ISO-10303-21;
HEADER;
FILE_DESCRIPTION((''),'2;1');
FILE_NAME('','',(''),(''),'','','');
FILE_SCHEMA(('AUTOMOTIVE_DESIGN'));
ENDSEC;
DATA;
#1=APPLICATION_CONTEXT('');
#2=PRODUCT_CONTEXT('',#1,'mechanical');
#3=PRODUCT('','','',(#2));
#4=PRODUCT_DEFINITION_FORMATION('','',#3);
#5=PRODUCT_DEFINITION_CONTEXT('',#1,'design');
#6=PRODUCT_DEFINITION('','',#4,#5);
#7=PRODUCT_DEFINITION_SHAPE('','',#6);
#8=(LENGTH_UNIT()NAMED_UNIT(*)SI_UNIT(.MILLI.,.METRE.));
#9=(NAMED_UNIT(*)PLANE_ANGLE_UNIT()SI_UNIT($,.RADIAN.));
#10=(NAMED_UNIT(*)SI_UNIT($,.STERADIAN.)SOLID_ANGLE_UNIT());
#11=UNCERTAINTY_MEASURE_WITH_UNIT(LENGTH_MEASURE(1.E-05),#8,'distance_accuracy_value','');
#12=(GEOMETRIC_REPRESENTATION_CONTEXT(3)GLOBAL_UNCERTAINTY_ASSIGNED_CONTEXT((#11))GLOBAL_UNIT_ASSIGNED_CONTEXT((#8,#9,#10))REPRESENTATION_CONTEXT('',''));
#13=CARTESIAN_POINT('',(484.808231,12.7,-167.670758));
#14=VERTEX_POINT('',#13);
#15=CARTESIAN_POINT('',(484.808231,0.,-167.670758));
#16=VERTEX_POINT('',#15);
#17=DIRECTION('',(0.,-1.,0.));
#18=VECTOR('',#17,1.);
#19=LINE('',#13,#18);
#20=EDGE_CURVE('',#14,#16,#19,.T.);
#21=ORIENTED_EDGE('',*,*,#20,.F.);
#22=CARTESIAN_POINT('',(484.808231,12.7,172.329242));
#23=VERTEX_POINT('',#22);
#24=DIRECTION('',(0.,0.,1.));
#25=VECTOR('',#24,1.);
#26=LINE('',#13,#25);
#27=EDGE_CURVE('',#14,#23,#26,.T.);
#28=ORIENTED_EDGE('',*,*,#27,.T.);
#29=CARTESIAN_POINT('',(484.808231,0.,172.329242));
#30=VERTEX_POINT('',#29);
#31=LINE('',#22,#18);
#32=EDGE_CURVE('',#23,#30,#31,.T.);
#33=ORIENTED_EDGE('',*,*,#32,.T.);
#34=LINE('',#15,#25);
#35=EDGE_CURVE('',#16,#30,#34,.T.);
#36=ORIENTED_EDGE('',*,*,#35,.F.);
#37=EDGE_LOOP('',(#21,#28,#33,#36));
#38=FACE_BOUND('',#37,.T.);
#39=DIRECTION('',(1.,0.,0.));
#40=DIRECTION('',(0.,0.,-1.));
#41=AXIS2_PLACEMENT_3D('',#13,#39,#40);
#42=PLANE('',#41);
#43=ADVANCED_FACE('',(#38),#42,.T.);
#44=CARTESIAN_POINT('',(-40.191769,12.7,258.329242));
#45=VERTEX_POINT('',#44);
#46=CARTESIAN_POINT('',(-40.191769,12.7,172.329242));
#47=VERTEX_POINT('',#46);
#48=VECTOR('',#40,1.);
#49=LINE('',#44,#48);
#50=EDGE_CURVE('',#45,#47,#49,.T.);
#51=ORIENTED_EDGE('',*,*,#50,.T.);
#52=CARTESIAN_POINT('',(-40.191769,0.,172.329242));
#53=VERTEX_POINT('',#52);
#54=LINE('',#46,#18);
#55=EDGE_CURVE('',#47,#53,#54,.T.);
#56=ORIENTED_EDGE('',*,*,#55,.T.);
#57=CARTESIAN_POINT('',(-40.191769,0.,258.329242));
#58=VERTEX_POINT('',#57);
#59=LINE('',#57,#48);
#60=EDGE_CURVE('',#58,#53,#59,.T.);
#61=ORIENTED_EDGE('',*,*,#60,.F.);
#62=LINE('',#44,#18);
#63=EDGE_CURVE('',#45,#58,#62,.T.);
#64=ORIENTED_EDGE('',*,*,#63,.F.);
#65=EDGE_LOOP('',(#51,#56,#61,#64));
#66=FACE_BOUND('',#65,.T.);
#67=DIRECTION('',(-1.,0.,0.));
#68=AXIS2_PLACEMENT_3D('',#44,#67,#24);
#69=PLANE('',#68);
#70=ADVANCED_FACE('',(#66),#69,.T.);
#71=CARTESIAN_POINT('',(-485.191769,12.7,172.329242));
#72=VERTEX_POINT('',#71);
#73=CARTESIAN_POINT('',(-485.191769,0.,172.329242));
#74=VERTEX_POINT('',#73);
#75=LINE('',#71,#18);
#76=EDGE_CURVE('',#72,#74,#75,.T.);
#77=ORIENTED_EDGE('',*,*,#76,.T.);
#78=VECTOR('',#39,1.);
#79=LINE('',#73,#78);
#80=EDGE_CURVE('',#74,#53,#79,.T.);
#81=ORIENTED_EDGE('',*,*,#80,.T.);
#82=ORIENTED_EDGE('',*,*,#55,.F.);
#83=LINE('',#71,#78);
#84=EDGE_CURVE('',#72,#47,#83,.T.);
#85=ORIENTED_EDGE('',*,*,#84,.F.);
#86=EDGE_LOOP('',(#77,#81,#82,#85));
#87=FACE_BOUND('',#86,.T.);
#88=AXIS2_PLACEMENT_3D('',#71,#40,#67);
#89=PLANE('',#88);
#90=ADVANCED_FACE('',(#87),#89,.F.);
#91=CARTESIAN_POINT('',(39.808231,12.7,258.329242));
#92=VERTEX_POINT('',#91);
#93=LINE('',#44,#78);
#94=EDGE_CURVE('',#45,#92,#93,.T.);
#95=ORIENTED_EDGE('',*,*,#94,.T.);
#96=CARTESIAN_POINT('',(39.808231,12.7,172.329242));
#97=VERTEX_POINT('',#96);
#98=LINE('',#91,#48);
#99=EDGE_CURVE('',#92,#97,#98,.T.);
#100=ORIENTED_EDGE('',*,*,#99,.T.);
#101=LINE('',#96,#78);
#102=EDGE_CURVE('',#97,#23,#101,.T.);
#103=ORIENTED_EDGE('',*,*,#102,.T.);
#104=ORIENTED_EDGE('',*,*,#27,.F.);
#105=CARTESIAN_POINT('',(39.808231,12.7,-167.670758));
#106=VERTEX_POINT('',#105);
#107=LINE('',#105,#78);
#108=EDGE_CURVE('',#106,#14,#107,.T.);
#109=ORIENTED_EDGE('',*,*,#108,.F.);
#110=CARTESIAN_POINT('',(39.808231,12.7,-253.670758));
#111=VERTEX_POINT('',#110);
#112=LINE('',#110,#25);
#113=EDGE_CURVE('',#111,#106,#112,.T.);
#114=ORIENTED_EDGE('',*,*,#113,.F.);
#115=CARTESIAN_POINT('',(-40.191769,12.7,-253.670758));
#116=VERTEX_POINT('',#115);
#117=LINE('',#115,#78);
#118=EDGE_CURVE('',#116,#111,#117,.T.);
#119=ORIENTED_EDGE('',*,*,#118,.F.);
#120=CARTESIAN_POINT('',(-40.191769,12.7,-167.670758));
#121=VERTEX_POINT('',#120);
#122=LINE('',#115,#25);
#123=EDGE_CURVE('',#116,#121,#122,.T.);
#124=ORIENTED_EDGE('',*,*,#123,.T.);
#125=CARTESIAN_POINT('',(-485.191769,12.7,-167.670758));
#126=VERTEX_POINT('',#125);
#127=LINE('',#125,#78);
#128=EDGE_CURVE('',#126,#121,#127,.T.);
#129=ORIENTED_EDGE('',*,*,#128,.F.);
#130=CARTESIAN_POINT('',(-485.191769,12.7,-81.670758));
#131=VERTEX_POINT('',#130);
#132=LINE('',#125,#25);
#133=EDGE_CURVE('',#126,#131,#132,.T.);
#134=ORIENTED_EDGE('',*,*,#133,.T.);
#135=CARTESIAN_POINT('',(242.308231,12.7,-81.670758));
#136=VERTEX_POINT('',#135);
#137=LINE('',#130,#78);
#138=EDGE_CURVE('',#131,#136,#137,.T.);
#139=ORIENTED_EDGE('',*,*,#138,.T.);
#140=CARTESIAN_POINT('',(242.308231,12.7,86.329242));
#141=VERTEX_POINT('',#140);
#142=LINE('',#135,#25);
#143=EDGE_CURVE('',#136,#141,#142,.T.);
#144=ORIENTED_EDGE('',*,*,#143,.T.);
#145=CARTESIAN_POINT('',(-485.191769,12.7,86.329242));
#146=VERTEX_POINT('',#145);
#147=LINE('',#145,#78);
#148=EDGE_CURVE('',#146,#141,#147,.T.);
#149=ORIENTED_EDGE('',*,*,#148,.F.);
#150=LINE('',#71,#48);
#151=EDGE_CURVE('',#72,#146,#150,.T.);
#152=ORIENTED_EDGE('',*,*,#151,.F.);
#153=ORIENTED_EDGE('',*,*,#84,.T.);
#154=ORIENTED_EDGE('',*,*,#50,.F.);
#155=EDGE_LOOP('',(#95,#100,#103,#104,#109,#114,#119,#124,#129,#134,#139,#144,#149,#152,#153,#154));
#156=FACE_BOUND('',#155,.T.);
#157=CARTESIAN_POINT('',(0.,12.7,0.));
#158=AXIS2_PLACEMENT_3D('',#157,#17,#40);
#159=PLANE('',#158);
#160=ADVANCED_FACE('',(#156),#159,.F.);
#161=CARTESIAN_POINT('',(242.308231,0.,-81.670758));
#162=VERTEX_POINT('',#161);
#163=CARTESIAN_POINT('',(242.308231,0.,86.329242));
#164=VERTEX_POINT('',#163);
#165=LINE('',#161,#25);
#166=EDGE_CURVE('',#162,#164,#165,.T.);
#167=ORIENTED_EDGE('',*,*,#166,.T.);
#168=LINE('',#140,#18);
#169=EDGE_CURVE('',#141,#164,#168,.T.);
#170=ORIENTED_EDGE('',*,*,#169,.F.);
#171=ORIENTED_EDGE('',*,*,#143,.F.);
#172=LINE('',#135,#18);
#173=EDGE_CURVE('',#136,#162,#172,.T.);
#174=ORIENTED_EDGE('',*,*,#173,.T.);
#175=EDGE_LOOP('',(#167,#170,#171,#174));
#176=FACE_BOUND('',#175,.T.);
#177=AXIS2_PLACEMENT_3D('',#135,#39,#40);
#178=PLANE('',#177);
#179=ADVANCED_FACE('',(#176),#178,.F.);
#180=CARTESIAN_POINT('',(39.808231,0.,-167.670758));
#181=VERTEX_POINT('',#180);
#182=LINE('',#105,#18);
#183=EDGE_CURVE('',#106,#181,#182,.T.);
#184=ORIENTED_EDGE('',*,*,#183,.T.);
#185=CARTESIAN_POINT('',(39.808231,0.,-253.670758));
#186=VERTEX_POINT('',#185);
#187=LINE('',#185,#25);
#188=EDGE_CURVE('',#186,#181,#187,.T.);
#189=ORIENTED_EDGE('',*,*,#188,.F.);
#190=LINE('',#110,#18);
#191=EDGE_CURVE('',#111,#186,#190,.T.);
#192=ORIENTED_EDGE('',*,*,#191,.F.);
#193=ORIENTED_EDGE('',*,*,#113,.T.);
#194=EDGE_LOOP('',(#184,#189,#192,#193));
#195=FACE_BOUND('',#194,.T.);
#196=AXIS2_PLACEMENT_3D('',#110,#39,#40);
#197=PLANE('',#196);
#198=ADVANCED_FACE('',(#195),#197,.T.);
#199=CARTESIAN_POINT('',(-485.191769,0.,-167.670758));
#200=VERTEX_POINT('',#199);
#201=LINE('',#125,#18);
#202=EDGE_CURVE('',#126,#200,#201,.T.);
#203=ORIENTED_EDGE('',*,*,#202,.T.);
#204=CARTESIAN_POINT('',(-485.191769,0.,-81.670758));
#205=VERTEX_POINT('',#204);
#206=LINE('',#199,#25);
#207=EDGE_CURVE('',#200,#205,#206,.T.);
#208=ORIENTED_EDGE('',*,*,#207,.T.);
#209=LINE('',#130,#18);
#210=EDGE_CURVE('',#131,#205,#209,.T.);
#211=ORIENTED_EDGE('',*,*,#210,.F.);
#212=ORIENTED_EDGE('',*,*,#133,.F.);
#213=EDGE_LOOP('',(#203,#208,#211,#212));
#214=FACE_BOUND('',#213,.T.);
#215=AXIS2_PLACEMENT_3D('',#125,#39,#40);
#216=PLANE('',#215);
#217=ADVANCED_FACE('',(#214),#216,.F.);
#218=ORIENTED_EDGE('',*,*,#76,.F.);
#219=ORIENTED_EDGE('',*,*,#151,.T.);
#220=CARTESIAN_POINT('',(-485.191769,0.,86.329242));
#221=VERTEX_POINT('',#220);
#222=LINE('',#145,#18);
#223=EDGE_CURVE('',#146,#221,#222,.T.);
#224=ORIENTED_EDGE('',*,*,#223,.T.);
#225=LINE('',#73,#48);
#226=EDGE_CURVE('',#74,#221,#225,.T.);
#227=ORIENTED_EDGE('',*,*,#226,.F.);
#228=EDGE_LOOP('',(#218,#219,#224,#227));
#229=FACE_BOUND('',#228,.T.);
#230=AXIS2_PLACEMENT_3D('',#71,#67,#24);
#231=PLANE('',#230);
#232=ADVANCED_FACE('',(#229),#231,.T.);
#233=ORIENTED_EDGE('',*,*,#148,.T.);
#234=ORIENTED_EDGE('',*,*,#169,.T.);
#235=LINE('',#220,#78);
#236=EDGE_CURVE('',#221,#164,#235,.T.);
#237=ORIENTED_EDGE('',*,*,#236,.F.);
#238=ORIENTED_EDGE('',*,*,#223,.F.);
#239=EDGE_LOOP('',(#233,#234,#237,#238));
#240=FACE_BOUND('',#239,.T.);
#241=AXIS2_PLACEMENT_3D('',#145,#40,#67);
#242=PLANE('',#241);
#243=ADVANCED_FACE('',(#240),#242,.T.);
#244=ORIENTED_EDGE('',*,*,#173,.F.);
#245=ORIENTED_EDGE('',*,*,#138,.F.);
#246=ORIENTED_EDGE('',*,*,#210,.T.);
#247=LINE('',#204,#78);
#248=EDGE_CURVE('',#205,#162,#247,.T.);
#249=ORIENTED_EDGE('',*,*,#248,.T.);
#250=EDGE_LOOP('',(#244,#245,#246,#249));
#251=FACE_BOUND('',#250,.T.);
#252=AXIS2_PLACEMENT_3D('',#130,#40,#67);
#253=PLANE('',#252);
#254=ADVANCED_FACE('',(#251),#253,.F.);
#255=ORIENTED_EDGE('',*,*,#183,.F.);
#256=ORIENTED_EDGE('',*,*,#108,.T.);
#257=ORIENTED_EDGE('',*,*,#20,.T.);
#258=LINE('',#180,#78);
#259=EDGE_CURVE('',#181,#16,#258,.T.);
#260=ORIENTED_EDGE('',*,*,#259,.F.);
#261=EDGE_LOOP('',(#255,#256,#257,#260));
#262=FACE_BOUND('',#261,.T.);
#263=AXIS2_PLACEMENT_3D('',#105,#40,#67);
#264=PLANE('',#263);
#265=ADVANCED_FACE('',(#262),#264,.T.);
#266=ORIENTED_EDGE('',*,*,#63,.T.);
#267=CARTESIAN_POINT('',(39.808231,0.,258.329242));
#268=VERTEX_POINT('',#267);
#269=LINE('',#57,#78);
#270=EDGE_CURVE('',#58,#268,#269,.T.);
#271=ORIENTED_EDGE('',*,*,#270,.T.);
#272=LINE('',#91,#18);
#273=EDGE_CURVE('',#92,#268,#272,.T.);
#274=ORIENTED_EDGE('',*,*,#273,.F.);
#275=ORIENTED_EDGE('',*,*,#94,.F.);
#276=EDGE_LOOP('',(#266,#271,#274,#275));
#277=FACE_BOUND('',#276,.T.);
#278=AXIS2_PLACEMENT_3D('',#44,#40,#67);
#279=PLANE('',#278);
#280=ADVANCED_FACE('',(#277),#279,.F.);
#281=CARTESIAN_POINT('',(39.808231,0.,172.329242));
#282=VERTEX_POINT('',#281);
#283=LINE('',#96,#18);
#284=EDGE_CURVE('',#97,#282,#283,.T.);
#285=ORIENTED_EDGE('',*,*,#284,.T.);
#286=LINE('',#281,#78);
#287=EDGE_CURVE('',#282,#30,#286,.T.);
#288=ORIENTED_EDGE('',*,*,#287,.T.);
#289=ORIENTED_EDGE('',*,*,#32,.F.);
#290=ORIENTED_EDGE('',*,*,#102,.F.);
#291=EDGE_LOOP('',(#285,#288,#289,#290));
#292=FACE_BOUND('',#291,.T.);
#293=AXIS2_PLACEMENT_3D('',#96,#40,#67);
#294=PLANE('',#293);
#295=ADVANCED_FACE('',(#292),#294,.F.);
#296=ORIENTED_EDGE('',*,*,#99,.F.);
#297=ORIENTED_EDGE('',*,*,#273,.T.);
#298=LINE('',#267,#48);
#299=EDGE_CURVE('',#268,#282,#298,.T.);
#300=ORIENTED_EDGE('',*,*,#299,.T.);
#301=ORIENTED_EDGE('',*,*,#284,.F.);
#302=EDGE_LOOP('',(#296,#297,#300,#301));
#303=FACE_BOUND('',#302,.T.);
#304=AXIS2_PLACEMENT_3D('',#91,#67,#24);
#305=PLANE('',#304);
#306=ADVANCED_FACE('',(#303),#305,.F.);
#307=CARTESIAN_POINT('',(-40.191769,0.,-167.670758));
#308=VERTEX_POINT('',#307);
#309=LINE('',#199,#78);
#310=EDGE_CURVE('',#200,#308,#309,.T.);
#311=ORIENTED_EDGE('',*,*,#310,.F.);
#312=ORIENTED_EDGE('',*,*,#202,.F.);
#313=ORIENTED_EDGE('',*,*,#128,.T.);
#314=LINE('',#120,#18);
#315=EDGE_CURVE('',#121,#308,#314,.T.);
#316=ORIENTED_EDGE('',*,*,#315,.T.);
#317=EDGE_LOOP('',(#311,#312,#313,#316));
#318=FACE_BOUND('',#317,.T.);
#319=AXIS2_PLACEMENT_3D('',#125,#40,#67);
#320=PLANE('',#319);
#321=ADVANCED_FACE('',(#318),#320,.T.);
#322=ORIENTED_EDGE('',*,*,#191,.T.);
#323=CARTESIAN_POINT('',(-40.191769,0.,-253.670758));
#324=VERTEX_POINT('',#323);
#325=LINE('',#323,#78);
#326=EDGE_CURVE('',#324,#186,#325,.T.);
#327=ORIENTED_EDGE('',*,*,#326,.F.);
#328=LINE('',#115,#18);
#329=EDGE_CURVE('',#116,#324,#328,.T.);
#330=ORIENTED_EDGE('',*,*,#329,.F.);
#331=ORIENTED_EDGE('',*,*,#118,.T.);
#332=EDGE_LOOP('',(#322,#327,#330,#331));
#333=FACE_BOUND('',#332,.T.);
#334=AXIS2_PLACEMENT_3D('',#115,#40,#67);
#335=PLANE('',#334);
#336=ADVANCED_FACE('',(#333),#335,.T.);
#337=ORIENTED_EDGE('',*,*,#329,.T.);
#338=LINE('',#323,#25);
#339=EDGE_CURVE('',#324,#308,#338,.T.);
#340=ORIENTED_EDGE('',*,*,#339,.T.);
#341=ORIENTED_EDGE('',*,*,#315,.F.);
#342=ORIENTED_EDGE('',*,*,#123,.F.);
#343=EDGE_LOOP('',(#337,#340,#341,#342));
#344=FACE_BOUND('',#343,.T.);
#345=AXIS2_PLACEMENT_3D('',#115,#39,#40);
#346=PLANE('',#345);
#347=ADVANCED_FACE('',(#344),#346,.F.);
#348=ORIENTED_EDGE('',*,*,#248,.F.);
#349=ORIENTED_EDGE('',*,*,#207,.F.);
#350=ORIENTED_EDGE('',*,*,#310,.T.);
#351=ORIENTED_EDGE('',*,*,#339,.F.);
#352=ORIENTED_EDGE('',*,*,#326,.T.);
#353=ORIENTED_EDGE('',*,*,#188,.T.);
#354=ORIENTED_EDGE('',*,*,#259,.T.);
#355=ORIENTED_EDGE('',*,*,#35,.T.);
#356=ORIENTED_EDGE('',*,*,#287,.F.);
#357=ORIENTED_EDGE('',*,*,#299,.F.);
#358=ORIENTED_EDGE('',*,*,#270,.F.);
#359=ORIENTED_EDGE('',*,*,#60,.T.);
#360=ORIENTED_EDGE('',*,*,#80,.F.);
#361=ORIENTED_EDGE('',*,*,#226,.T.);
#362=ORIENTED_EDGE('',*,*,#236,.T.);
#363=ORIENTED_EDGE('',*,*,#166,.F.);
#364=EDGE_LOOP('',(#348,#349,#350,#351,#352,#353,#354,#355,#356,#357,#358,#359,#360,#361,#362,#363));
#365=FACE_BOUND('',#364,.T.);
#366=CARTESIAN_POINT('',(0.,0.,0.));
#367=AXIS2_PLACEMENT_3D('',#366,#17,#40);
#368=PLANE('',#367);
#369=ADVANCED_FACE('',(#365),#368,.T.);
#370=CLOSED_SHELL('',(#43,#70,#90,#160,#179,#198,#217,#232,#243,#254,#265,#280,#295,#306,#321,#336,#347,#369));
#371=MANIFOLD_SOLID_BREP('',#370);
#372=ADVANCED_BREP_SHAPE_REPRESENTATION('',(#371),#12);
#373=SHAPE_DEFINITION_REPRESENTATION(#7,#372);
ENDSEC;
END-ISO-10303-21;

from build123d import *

# Parameters (mm, degrees)
BOSS_EXTRUDE1_DEPTH = 12.7


with BuildPart() as part:
    # Sketch1 → Boss-Extrude1 (new body)
    with BuildSketch(Plane(origin=(0, 0, 0), x_dir=(1, 0, 0), z_dir=(0, 1, 0))):
        Polygon((-485.191768636, 167.670757629), (-40.191768636, 167.670757629), (-40.191768636, 253.670757629), (39.808231364, 253.670757629), (39.808231364, 167.670757629), (484.808231364, 167.670757629), (484.808231364, -172.329242371), (39.808231364, -172.329242371), (39.808231364, -258.329242371), (-40.191768636, -258.329242371), (-40.191768636, -172.329242371), (-485.191768636, -172.329242371), (-485.191768636, -86.329242371), (242.308231364, -86.329242371), (242.308231364, 81.670757629), (-485.191768636, 81.670757629), align=None)
    extrude(amount=BOSS_EXTRUDE1_DEPTH)


solid = part.part
